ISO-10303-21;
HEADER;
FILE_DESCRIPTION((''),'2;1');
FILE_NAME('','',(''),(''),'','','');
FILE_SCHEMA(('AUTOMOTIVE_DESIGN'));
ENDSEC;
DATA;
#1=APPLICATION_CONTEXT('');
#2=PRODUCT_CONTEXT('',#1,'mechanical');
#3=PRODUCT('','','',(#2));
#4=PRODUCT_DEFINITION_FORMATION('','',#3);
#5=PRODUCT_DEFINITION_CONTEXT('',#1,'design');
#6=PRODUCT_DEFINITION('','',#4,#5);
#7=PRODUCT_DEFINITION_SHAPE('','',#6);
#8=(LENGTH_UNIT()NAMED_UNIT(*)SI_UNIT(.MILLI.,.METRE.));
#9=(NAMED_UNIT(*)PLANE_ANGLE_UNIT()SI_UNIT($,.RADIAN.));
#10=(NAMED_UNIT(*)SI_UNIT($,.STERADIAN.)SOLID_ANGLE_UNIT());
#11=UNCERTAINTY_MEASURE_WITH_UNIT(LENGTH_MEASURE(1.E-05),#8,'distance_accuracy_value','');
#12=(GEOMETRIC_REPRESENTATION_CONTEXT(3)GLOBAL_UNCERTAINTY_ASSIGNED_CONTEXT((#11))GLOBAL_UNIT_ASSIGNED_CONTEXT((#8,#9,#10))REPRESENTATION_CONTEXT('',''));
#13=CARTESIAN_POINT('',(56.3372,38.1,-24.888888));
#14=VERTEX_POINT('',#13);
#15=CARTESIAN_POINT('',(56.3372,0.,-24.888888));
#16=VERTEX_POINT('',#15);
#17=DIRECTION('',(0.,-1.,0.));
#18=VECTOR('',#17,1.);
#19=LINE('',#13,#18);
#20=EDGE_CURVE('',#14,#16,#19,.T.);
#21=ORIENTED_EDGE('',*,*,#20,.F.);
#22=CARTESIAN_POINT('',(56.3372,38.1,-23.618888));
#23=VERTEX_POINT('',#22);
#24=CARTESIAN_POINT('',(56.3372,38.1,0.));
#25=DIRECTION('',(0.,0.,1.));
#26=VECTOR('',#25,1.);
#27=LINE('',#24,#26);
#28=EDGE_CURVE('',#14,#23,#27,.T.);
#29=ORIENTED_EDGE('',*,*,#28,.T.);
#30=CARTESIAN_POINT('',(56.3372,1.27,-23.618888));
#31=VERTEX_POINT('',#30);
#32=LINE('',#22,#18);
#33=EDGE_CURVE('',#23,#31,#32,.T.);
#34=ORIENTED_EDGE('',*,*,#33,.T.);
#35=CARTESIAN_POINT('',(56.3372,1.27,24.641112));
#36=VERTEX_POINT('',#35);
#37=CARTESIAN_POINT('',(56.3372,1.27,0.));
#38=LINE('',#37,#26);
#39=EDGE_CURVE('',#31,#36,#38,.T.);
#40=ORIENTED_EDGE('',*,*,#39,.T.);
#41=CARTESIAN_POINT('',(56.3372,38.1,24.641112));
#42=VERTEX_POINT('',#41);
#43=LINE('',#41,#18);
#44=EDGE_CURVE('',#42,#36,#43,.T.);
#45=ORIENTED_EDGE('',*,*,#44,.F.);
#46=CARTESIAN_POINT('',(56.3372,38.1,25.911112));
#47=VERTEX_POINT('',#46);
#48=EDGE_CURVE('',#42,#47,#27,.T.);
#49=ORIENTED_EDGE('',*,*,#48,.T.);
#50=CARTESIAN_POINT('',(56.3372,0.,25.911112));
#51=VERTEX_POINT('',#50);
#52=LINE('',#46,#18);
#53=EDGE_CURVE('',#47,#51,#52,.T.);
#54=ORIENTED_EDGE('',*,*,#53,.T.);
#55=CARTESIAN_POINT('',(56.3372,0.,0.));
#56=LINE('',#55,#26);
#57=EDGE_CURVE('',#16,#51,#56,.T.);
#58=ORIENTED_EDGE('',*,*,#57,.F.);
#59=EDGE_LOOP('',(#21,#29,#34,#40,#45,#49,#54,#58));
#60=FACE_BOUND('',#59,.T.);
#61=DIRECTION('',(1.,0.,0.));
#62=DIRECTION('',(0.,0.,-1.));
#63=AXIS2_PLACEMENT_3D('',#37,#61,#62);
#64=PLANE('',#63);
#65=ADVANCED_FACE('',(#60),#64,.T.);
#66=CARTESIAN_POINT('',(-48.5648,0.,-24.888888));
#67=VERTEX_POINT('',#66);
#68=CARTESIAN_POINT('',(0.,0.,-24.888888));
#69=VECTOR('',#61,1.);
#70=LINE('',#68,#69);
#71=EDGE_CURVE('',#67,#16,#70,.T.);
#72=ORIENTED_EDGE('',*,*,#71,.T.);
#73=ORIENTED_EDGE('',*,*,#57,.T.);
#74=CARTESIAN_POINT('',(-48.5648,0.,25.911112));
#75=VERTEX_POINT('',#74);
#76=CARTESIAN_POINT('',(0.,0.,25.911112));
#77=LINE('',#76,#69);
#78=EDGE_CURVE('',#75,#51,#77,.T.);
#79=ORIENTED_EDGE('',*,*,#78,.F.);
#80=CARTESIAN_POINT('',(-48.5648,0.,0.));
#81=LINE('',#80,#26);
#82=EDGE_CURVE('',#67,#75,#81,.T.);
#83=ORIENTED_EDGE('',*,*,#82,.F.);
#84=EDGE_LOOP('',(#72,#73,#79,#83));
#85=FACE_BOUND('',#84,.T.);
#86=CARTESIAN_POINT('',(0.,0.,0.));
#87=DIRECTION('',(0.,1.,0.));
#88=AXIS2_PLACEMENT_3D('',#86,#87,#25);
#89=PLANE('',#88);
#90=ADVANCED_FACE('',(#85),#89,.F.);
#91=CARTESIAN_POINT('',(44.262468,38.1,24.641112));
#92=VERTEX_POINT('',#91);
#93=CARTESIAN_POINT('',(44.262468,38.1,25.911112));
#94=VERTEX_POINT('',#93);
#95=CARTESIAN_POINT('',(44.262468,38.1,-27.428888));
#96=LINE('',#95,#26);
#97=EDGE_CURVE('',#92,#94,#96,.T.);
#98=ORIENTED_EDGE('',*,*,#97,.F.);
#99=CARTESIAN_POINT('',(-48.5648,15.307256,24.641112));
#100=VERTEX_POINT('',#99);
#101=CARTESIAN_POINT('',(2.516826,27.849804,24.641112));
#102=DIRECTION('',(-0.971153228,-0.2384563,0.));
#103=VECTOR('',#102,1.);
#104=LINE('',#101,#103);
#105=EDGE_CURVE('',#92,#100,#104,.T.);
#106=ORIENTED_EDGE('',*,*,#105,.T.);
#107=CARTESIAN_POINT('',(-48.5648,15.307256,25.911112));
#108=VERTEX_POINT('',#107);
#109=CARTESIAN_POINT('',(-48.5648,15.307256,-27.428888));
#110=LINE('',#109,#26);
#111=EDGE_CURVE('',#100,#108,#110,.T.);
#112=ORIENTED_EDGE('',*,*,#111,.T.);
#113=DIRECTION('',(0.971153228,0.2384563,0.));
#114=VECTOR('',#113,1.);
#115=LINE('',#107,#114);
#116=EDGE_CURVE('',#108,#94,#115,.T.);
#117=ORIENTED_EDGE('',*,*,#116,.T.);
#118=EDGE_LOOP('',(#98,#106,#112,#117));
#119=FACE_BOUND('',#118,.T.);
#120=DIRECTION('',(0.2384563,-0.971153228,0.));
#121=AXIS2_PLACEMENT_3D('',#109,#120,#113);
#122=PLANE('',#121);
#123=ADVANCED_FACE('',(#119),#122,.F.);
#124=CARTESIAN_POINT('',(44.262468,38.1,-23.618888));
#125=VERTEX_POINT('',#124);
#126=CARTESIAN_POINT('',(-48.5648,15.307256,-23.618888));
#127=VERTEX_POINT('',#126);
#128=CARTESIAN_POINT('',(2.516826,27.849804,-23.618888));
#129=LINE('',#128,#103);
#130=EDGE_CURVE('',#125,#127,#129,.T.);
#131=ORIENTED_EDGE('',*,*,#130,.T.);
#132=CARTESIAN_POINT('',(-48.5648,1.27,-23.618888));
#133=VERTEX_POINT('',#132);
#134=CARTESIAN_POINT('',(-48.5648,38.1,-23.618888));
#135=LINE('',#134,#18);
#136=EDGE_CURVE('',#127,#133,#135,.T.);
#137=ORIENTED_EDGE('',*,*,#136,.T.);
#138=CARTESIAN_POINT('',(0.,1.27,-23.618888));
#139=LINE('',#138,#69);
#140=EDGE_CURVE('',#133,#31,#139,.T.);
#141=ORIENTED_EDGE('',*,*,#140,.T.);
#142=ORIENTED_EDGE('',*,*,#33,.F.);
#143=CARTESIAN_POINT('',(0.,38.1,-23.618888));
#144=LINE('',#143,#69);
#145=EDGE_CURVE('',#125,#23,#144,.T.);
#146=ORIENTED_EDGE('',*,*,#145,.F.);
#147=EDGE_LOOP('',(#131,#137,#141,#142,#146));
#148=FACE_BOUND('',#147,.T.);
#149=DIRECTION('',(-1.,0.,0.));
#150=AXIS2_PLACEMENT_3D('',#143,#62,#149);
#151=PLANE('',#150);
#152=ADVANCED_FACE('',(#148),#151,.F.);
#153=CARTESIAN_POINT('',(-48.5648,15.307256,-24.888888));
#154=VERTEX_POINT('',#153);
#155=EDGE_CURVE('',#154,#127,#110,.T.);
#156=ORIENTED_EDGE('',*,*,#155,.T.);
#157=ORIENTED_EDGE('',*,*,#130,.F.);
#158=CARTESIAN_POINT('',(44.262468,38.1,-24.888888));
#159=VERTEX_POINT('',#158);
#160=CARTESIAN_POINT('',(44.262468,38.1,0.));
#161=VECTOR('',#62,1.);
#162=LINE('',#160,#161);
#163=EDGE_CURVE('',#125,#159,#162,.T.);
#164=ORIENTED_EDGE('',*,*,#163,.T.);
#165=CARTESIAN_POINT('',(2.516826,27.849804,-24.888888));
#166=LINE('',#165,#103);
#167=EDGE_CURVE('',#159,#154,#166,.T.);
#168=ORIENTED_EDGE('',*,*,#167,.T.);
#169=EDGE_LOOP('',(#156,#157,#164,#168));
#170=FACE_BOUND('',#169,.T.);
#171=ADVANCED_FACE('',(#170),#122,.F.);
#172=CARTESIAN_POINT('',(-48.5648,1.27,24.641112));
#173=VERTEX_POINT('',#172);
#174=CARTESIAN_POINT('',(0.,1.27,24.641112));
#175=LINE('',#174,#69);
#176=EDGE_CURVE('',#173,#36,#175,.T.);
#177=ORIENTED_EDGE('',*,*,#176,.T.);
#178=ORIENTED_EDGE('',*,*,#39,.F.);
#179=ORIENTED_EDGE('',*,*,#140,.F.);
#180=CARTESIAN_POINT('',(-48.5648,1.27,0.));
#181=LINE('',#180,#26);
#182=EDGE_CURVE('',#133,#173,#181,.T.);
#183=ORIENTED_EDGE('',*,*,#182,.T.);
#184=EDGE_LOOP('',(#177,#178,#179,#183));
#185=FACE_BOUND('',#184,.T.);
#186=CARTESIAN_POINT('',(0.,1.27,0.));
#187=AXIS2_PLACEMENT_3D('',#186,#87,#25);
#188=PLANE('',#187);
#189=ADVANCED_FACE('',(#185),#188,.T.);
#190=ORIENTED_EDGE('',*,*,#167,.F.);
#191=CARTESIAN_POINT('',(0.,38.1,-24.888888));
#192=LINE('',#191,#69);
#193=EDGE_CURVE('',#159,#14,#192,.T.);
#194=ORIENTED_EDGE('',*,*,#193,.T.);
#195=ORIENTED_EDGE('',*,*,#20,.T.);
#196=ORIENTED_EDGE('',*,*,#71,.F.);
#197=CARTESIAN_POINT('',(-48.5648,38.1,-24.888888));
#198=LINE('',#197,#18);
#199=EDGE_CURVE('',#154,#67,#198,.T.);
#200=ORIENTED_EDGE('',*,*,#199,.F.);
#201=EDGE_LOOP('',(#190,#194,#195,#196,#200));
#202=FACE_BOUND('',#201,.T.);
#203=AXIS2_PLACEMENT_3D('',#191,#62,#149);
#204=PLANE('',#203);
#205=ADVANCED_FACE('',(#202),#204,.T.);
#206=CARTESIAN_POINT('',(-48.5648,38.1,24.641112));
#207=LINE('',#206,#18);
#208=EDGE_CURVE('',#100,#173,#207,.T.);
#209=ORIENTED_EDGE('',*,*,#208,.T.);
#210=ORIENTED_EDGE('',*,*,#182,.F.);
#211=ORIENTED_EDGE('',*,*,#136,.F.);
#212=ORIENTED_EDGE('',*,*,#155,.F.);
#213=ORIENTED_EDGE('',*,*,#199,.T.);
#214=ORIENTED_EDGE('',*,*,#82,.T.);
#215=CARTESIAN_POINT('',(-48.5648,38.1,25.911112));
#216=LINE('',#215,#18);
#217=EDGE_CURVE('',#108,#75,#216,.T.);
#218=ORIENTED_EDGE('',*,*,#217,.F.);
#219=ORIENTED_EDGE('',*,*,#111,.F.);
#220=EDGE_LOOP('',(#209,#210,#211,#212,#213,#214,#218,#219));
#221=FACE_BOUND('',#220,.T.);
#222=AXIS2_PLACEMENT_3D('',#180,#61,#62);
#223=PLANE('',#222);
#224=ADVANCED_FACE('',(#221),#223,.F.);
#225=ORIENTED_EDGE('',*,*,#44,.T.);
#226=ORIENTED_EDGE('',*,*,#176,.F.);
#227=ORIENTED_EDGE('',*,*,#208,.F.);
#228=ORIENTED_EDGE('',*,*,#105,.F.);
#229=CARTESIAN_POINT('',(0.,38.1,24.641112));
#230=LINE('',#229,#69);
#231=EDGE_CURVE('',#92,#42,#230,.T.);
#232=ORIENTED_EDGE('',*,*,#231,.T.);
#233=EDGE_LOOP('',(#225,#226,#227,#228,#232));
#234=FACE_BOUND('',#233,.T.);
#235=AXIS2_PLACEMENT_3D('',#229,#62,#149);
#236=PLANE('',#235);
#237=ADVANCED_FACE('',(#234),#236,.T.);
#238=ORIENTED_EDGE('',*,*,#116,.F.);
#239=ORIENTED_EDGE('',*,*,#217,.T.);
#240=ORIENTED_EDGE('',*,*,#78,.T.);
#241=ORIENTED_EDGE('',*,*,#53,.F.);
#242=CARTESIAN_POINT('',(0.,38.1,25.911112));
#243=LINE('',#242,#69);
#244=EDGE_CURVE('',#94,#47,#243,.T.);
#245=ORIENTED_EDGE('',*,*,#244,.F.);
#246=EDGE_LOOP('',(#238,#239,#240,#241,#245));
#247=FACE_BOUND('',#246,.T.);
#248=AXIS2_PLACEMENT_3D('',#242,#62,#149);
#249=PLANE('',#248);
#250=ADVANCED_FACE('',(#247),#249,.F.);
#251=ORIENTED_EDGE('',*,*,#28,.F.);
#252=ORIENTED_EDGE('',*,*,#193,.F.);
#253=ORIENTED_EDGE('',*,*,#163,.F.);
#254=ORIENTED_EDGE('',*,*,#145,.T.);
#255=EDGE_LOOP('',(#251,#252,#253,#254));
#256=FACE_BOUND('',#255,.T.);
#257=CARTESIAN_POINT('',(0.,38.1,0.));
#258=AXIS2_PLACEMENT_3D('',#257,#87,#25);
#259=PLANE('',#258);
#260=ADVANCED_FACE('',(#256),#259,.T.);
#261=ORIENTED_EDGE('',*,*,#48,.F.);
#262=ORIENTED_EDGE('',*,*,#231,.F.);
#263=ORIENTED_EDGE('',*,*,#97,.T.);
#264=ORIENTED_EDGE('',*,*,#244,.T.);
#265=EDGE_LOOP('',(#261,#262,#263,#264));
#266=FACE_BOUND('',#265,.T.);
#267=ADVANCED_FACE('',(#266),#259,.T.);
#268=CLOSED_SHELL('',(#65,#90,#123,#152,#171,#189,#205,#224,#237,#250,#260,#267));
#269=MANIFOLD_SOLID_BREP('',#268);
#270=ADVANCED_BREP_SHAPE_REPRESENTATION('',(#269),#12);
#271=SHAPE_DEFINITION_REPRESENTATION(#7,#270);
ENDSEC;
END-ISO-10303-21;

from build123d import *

# Parameters (mm, degrees)
SKETCH1_W           = 104.902
SKETCH1_H           = 48.26
BOSS_EXTRUDE1_DEPTH = 1.27
SKETCH1_3_W         = 104.902
SKETCH1_3_H         = 1.27
BOSS_EXTRUDE2_DEPTH = 38.1
CUT_EXTRUDE1_DEPTH  = 53.34


with BuildPart() as part:
    # Sketch1 → Boss-Extrude1 (new body)
    with BuildSketch(Plane(origin=(0, 0, 0), x_dir=(1, 0, 0), z_dir=(0, 1, 0))):
        with Locations((3.8862, -0.511112371)):
            Rectangle(SKETCH1_W, SKETCH1_H)
    extrude(amount=BOSS_EXTRUDE1_DEPTH)

    # Sketch1<3> → Boss-Extrude2 (add)
    with BuildSketch(Plane(origin=(0, 0, 0), x_dir=(1, 0, 0), z_dir=(0, 1, 0))):
        with Locations((3.8862, -25.276112371)):
            Rectangle(SKETCH1_3_W, SKETCH1_3_H)
        with Locations((3.8862, 24.253887629)):
            Rectangle(SKETCH1_3_W, SKETCH1_3_H)
    extrude(amount=BOSS_EXTRUDE2_DEPTH)

    # Sketch2 → Cut-Extrude1 (cut)
    with BuildSketch(Plane.XY.offset(25.911112371)):
        Polygon((-48.5648, 15.307256031), (44.262468269, 38.1), (-48.5648, 38.1), align=None)
    extrude(amount=-CUT_EXTRUDE1_DEPTH, mode=Mode.SUBTRACT)


solid = part.part
